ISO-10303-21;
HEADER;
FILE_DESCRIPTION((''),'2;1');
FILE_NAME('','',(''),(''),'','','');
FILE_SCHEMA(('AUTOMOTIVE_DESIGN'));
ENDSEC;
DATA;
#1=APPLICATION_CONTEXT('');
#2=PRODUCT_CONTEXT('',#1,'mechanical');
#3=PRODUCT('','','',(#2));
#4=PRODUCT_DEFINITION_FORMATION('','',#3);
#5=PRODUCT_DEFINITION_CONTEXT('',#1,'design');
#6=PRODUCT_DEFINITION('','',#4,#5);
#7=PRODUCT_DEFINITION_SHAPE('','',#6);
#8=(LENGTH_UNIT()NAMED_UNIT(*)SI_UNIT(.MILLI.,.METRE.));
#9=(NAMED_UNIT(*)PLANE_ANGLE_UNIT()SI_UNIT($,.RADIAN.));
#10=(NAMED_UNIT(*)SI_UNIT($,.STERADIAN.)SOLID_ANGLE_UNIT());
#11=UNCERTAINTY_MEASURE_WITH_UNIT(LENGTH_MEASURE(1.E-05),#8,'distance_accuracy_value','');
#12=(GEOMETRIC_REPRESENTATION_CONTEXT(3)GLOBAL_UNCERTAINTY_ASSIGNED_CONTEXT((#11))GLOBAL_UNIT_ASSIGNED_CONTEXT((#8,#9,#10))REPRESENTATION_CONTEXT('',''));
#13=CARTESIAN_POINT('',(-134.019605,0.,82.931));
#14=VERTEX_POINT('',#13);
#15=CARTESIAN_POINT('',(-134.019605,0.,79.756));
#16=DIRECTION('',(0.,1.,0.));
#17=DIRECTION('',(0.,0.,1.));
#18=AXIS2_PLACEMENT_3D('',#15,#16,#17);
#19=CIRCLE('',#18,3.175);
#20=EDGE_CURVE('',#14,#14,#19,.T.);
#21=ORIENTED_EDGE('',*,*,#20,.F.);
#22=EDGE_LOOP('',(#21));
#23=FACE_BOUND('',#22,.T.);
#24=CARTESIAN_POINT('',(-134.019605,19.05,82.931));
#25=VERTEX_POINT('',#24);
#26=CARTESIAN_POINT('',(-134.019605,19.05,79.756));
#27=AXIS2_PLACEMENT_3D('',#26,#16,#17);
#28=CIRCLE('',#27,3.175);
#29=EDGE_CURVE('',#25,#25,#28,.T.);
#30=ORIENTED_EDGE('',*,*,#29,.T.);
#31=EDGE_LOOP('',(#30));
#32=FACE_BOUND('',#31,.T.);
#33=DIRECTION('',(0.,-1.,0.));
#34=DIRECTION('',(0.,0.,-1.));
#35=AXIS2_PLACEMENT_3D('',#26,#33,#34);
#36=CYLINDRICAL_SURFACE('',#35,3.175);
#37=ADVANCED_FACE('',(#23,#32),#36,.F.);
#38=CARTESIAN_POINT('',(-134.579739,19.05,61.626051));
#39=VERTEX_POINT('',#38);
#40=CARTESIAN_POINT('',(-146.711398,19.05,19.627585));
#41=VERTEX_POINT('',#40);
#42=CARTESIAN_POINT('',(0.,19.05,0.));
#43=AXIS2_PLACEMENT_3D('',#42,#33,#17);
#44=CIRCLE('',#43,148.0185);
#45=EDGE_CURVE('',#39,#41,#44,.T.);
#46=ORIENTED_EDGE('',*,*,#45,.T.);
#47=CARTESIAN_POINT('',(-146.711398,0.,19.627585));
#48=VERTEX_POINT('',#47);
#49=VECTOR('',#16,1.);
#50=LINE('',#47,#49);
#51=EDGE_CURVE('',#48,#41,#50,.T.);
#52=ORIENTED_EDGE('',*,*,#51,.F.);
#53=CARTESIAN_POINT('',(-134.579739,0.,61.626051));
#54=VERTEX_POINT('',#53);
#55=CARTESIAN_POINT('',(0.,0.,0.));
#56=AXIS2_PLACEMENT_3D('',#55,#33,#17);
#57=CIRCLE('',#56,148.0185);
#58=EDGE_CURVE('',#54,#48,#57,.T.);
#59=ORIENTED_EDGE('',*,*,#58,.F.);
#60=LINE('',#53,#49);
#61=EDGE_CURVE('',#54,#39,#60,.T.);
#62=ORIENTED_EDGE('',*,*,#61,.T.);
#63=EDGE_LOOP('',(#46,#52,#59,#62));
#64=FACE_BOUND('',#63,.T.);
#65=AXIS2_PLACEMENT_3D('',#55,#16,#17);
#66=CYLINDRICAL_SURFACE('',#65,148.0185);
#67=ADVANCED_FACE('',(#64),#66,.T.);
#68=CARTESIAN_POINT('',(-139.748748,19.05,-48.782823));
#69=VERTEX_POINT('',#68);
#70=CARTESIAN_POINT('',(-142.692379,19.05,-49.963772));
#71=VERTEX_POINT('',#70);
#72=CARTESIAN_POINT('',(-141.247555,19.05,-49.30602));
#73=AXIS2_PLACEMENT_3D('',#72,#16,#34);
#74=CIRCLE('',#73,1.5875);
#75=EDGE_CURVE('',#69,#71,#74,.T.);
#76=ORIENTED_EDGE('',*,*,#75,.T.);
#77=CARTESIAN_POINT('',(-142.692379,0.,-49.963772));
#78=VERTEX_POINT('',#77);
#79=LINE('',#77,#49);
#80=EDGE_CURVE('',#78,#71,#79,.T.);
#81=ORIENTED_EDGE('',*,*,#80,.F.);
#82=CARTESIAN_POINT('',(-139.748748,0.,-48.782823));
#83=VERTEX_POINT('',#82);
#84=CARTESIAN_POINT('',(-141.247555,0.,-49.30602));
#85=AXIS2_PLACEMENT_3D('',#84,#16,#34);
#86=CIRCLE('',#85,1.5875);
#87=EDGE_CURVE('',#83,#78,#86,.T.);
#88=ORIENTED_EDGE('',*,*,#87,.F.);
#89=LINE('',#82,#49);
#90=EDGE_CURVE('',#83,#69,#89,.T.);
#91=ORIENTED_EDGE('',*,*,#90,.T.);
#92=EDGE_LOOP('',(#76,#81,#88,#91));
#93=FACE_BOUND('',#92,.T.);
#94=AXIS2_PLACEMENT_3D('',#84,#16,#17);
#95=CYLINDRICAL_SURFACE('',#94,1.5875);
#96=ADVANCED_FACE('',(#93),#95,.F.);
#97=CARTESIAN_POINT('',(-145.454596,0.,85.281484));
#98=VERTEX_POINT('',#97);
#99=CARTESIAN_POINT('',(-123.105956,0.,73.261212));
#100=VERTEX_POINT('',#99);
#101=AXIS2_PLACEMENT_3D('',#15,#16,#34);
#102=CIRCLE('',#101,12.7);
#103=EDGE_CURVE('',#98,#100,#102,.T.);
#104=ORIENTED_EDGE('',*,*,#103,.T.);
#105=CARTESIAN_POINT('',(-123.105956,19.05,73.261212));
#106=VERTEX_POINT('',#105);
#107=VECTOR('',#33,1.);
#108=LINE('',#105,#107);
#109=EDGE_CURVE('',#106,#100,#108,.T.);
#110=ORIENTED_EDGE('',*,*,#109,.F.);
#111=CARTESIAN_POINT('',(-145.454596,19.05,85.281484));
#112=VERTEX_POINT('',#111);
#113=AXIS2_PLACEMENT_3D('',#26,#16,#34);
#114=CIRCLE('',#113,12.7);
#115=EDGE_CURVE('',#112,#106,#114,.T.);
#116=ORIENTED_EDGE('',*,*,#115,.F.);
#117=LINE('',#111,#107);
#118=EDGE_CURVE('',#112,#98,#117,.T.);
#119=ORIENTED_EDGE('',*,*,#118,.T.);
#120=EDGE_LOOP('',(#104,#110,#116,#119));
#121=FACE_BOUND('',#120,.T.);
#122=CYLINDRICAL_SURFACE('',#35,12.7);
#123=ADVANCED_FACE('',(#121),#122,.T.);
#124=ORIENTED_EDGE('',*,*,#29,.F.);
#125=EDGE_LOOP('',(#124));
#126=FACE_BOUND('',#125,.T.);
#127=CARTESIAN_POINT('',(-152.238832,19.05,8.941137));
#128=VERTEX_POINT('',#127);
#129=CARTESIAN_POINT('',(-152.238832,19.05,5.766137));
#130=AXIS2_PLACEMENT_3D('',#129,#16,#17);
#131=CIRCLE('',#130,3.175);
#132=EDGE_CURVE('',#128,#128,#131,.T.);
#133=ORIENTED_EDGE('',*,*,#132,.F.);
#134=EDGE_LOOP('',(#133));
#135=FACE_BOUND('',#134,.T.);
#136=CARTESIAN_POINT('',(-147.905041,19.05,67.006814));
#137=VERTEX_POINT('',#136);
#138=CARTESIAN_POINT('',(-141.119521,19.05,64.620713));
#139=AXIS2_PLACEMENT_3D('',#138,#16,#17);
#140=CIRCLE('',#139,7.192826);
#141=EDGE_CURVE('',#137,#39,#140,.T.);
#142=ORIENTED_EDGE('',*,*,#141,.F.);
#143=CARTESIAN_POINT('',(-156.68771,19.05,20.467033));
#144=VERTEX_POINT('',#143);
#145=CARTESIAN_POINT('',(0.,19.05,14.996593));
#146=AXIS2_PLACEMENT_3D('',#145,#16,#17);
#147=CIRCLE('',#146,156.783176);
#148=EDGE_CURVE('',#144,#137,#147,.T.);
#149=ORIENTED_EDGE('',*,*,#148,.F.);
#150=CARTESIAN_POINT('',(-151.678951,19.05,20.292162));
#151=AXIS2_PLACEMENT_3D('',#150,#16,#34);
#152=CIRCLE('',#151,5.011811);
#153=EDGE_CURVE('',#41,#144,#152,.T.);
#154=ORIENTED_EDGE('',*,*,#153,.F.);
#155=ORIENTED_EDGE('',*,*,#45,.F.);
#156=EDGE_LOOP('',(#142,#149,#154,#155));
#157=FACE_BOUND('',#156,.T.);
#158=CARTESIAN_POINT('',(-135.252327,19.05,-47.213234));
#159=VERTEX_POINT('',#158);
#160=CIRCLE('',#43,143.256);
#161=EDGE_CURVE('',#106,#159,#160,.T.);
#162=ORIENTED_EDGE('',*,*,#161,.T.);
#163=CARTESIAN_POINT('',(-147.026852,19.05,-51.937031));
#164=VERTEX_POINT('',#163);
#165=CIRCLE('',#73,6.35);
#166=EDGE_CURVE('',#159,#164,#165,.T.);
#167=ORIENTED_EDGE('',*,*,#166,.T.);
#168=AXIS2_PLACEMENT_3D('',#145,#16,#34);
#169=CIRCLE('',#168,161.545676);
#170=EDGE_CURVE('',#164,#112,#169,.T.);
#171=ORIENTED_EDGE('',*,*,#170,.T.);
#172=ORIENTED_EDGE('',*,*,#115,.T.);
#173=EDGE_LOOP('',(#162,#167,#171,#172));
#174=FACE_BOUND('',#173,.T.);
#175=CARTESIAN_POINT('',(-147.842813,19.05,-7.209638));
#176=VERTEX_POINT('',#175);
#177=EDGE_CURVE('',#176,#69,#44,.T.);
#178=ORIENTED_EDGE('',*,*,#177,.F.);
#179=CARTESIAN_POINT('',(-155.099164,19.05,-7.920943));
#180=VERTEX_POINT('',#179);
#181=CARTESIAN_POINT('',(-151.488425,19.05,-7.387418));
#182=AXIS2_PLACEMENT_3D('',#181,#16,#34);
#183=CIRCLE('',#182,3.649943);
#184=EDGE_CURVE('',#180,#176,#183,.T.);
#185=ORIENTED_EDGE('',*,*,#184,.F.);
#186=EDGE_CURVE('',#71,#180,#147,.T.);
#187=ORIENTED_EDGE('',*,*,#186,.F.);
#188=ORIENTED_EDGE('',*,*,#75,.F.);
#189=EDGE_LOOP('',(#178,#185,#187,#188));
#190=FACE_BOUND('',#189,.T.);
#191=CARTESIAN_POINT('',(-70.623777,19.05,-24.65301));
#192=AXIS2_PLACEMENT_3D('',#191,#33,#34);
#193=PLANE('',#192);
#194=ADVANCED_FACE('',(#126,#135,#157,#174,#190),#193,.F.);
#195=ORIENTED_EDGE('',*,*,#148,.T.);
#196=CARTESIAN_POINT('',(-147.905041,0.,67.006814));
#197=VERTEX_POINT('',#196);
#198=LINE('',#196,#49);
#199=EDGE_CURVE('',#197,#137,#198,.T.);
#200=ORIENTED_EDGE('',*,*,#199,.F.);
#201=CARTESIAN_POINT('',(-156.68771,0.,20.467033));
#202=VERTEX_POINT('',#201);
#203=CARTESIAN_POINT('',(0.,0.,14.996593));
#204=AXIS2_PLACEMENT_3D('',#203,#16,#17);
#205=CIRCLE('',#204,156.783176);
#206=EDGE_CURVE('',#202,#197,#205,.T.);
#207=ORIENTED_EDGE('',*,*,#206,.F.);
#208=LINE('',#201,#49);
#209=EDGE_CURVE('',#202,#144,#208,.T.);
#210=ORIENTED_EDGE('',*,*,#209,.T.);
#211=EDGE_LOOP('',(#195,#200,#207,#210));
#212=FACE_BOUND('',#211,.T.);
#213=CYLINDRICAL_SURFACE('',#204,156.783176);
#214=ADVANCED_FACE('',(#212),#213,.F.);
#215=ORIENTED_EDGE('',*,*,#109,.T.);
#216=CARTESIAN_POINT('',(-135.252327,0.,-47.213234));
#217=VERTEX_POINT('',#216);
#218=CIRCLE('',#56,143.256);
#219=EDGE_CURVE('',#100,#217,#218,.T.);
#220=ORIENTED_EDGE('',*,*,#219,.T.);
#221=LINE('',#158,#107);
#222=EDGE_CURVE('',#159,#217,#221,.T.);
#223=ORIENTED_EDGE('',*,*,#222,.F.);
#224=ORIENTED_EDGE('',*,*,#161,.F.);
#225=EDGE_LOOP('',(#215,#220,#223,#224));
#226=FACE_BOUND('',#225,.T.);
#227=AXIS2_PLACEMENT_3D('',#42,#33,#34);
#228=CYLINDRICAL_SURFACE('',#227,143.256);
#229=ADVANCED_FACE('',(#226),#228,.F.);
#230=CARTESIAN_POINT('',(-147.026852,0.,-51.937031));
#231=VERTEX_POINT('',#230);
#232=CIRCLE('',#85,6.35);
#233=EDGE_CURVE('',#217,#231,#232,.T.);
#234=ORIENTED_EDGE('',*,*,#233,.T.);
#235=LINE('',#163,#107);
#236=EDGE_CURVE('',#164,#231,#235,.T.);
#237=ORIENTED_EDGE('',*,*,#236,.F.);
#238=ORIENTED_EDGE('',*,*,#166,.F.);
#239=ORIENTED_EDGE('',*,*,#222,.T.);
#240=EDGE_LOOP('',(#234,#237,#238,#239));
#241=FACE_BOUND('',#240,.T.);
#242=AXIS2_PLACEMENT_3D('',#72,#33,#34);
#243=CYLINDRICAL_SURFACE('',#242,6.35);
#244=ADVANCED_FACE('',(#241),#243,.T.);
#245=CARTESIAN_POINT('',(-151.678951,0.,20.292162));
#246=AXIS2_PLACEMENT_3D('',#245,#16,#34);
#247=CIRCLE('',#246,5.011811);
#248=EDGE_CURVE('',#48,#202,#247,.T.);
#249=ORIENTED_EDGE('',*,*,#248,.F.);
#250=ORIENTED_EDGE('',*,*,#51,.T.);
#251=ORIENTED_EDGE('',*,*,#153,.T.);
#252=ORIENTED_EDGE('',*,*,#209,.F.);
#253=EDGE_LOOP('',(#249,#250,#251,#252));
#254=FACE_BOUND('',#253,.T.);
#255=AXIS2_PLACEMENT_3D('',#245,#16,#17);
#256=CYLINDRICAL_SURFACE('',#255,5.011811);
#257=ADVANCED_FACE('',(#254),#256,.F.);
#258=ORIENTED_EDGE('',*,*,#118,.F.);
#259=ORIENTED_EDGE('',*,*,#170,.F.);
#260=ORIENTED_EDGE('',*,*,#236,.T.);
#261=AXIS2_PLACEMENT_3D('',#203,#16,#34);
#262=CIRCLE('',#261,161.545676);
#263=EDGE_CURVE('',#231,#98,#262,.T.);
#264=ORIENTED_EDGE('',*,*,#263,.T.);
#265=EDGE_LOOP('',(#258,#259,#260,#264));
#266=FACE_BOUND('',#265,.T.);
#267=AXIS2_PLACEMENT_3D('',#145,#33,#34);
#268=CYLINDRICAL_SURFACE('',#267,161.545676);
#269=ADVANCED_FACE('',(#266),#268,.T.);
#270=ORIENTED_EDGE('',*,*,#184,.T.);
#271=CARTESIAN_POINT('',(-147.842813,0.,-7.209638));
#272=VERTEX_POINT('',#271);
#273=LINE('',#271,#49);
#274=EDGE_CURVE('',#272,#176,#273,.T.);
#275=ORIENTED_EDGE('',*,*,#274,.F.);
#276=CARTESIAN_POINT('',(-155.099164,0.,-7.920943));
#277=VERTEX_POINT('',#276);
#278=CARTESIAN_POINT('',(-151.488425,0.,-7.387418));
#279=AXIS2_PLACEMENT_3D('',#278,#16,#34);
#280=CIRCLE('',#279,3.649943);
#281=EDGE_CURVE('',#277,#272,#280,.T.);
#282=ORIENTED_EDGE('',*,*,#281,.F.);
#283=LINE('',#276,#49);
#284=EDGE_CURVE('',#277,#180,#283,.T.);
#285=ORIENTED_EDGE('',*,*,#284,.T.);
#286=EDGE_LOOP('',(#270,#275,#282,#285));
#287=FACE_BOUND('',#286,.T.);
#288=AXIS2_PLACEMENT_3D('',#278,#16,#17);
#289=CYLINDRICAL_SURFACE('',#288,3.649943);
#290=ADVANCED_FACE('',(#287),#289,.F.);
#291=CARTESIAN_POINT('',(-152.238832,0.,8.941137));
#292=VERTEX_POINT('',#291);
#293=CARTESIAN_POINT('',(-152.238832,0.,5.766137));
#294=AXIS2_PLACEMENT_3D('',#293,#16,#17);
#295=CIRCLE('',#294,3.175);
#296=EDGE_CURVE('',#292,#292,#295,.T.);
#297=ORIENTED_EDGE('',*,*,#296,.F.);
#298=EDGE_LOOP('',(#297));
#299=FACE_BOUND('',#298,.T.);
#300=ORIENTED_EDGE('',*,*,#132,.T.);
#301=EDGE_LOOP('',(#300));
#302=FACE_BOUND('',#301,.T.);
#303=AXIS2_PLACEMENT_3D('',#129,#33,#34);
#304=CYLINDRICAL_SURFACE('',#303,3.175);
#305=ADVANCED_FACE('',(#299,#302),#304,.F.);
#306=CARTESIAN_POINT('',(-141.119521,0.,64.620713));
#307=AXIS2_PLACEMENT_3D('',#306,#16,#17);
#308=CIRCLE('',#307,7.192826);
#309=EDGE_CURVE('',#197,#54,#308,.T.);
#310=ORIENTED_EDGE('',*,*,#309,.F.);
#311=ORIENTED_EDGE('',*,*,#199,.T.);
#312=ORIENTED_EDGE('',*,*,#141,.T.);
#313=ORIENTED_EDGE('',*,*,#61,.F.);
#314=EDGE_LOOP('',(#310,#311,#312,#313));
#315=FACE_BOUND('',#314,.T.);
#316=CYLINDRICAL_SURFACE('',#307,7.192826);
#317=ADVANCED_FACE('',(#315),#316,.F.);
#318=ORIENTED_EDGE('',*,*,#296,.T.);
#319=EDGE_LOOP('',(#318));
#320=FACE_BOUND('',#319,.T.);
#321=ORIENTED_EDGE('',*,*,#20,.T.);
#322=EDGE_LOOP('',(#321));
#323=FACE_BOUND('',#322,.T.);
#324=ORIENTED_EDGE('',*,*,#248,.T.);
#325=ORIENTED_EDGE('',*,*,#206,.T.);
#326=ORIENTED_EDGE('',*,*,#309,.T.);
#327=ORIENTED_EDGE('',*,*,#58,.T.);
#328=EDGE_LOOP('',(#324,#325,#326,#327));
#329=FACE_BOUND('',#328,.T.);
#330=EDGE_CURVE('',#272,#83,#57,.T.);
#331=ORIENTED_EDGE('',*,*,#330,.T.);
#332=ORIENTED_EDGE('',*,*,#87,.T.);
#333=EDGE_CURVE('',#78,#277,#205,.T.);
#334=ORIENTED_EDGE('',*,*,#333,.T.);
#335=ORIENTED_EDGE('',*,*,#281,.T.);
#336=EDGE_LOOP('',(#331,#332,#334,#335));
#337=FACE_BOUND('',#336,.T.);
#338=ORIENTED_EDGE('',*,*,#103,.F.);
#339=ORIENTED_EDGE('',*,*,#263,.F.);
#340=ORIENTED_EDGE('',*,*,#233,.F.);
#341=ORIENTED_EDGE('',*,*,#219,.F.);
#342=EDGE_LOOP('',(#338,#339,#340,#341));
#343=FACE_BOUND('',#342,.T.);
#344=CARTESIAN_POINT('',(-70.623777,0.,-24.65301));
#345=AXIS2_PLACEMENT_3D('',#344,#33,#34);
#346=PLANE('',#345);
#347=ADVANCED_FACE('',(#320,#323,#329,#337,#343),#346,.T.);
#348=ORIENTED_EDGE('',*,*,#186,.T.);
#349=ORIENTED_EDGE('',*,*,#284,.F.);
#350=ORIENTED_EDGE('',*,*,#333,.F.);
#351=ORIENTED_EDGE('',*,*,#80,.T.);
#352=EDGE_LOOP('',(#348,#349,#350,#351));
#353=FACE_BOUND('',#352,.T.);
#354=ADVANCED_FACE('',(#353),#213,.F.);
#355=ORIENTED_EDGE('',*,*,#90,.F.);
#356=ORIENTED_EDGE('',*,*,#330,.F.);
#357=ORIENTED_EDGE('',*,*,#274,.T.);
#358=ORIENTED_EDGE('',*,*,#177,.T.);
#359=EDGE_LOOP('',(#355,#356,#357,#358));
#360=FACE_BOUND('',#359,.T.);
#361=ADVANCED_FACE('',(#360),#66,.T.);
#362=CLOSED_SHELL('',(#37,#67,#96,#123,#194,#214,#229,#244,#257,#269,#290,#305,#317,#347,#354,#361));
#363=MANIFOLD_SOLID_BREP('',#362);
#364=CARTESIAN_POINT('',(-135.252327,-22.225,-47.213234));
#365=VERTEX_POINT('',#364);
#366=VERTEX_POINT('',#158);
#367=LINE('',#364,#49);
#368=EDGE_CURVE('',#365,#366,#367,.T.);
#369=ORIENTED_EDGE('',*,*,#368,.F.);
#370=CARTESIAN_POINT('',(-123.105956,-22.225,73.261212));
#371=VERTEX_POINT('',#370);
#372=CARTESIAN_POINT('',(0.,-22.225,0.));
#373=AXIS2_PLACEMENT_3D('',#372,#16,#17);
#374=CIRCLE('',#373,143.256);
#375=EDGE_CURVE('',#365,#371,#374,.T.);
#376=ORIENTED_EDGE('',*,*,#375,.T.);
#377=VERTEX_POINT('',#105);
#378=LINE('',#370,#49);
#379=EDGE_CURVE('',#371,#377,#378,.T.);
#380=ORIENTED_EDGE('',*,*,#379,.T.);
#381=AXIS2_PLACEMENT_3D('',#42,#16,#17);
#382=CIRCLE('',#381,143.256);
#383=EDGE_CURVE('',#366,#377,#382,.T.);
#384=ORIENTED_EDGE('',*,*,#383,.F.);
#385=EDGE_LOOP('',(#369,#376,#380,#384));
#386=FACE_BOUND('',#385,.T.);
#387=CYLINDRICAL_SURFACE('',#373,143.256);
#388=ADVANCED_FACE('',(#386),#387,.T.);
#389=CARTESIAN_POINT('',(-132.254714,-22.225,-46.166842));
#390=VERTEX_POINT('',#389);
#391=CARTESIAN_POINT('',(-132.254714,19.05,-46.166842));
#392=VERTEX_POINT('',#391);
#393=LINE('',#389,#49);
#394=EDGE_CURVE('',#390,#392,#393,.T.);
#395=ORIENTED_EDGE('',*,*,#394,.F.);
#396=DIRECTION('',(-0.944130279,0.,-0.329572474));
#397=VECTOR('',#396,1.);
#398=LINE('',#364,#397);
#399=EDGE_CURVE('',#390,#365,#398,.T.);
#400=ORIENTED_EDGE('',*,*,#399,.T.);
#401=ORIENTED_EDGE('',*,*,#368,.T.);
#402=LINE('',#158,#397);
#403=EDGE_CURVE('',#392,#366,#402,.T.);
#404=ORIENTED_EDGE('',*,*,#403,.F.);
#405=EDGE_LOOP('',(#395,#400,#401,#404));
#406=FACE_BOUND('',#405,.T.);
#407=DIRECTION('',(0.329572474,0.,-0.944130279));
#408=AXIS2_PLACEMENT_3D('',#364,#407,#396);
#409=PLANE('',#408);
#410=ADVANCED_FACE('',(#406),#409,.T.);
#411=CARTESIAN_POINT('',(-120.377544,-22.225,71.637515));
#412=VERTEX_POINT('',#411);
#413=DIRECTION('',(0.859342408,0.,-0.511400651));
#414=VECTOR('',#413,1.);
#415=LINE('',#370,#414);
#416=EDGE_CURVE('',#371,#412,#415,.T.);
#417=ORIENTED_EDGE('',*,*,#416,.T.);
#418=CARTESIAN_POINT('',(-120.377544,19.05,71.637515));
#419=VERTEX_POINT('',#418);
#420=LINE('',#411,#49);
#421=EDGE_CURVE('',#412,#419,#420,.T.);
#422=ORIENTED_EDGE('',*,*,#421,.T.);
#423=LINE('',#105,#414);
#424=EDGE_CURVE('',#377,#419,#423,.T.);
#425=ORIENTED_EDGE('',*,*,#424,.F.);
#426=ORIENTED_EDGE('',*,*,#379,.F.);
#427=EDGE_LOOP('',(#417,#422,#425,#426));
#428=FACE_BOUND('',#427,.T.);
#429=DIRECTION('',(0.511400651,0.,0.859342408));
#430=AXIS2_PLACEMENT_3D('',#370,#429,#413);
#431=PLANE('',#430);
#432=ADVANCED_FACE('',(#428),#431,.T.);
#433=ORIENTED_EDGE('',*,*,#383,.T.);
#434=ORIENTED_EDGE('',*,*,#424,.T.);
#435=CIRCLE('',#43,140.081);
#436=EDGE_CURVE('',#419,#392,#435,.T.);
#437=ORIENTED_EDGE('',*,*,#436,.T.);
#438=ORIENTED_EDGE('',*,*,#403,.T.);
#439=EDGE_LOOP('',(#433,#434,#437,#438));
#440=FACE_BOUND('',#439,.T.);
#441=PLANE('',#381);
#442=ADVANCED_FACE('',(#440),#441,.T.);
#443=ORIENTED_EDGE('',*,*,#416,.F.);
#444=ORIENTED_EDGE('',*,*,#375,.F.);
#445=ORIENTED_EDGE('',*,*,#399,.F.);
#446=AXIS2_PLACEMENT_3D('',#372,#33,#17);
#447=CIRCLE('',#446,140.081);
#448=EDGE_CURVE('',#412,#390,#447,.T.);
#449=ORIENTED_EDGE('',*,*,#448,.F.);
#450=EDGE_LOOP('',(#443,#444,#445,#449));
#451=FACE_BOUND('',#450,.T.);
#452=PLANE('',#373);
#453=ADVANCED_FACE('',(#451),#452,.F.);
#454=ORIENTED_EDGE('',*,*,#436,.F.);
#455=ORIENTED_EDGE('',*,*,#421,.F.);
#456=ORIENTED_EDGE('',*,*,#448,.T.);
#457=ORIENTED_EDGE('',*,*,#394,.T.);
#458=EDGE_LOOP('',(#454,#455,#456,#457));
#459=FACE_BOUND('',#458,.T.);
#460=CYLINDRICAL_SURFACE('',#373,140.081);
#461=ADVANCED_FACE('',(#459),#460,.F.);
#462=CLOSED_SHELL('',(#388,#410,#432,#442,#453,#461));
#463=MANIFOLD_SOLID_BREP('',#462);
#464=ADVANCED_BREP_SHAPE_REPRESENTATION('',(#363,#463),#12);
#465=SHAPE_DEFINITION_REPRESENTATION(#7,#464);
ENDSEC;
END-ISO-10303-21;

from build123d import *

# Parameters (mm, degrees)
SKETCH1_R           = 3.175
BOSS_EXTRUDE1_DEPTH = 19.05
CUT_EXTRUDE1_DEPTH  = 20.05
CUT_EXTRUDE2_DEPTH  = 20.05
BOSS_EXTRUDE2_DEPTH = 41.275


with BuildPart() as part:
    # Sketch1 → Boss-Extrude1 (new body)
    with BuildSketch(Plane(origin=(0, 0, 0), x_dir=(1, 0, 0), z_dir=(0, 1, 0))):
        with BuildLine():
            ThreePointArc((-135.252327308, 47.213234308), (-142.533412468, -14.370381558), (-123.105955958, -73.261211726))
            ThreePointArc((-123.105955958, -73.261211726), (-128.003817931, -90.940825055), (-145.454595651, -85.28148443))
            ThreePointArc((-145.454595651, -85.28148443), (-161.535072193, -16.847470136), (-147.026852029, 51.937030923))
            ThreePointArc((-147.026852029, 51.937030923), (-138.883189966, 55.199429393), (-135.252327308, 47.213234308))
        make_face()
        with Locations((-134.019604536, -79.756)):
            Circle(SKETCH1_R, mode=Mode.SUBTRACT)
        with Locations((-152.238831544, -5.766137402)):
            Circle(SKETCH1_R, mode=Mode.SUBTRACT)
    extrude(amount=BOSS_EXTRUDE1_DEPTH)

    # Sketch2 → Cut-Extrude1 (cut, through all)
    with BuildSketch(Plane(origin=(0, 19.05, 0), x_dir=(1, 0, 0), z_dir=(0, 1, 0))):
        with BuildLine():
            ThreePointArc((-142.692378944, 49.963772368), (-140.656463428, 50.779371986), (-139.748747763, 48.782823215))
            ThreePointArc((-139.748747763, 48.782823215), (-145.29042963, 28.287230336), (-147.842813364, 7.209637907))
            ThreePointArc((-147.842813364, 7.209637907), (-151.84450431, 3.75488539), (-155.099163962, 7.920942989))
            ThreePointArc((-155.099163962, 7.920942989), (-150.372373234, 29.37810097), (-142.692378944, 49.963772368))
        make_face()
    extrude(amount=-CUT_EXTRUDE1_DEPTH, mode=Mode.SUBTRACT)

    # Sketch3 → Cut-Extrude2 (cut, through all)
    with BuildSketch(Plane(origin=(0, 19.05, 0), x_dir=(1, 0, 0), z_dir=(0, 1, 0))):
        with BuildLine():
            ThreePointArc((-146.711397823, -19.627584953), (-142.204584096, -41.077154288), (-134.579739329, -61.626050533))
            ThreePointArc((-134.579739329, -61.626050533), (-138.426335153, -71.290308551), (-147.905040723, -67.006814278))
            ThreePointArc((-147.905040723, -67.006814278), (-154.06386253, -44.070471811), (-156.687709885, -20.467033144))
            ThreePointArc((-156.687709885, -20.467033144), (-152.099180348, -15.298000327), (-146.711397823, -19.627584953))
        make_face()
    extrude(amount=-CUT_EXTRUDE2_DEPTH, mode=Mode.SUBTRACT)


with BuildPart() as body_2:
    # Sketch4 → Boss-Extrude2 (new body)
    with BuildSketch(Plane(origin=(0, 19.05, 0), x_dir=(1, 0, 0), z_dir=(0, 1, 0))):
        with BuildLine():
            Line((-135.252327308, 47.213234308), (-132.254713671, 46.166841704))
            ThreePointArc((-132.254713671, 46.166841704), (-139.374427263, -14.051889059), (-120.377543814, -71.637514658))
            Line((-120.377543814, -71.637514658), (-123.105955958, -73.261211726))
            ThreePointArc((-123.105955958, -73.261211726), (-142.533412468, -14.370381558), (-135.252327308, 47.213234308))
        make_face()
    extrude(amount=-BOSS_EXTRUDE2_DEPTH)


solid = Compound([part.part, body_2.part])
